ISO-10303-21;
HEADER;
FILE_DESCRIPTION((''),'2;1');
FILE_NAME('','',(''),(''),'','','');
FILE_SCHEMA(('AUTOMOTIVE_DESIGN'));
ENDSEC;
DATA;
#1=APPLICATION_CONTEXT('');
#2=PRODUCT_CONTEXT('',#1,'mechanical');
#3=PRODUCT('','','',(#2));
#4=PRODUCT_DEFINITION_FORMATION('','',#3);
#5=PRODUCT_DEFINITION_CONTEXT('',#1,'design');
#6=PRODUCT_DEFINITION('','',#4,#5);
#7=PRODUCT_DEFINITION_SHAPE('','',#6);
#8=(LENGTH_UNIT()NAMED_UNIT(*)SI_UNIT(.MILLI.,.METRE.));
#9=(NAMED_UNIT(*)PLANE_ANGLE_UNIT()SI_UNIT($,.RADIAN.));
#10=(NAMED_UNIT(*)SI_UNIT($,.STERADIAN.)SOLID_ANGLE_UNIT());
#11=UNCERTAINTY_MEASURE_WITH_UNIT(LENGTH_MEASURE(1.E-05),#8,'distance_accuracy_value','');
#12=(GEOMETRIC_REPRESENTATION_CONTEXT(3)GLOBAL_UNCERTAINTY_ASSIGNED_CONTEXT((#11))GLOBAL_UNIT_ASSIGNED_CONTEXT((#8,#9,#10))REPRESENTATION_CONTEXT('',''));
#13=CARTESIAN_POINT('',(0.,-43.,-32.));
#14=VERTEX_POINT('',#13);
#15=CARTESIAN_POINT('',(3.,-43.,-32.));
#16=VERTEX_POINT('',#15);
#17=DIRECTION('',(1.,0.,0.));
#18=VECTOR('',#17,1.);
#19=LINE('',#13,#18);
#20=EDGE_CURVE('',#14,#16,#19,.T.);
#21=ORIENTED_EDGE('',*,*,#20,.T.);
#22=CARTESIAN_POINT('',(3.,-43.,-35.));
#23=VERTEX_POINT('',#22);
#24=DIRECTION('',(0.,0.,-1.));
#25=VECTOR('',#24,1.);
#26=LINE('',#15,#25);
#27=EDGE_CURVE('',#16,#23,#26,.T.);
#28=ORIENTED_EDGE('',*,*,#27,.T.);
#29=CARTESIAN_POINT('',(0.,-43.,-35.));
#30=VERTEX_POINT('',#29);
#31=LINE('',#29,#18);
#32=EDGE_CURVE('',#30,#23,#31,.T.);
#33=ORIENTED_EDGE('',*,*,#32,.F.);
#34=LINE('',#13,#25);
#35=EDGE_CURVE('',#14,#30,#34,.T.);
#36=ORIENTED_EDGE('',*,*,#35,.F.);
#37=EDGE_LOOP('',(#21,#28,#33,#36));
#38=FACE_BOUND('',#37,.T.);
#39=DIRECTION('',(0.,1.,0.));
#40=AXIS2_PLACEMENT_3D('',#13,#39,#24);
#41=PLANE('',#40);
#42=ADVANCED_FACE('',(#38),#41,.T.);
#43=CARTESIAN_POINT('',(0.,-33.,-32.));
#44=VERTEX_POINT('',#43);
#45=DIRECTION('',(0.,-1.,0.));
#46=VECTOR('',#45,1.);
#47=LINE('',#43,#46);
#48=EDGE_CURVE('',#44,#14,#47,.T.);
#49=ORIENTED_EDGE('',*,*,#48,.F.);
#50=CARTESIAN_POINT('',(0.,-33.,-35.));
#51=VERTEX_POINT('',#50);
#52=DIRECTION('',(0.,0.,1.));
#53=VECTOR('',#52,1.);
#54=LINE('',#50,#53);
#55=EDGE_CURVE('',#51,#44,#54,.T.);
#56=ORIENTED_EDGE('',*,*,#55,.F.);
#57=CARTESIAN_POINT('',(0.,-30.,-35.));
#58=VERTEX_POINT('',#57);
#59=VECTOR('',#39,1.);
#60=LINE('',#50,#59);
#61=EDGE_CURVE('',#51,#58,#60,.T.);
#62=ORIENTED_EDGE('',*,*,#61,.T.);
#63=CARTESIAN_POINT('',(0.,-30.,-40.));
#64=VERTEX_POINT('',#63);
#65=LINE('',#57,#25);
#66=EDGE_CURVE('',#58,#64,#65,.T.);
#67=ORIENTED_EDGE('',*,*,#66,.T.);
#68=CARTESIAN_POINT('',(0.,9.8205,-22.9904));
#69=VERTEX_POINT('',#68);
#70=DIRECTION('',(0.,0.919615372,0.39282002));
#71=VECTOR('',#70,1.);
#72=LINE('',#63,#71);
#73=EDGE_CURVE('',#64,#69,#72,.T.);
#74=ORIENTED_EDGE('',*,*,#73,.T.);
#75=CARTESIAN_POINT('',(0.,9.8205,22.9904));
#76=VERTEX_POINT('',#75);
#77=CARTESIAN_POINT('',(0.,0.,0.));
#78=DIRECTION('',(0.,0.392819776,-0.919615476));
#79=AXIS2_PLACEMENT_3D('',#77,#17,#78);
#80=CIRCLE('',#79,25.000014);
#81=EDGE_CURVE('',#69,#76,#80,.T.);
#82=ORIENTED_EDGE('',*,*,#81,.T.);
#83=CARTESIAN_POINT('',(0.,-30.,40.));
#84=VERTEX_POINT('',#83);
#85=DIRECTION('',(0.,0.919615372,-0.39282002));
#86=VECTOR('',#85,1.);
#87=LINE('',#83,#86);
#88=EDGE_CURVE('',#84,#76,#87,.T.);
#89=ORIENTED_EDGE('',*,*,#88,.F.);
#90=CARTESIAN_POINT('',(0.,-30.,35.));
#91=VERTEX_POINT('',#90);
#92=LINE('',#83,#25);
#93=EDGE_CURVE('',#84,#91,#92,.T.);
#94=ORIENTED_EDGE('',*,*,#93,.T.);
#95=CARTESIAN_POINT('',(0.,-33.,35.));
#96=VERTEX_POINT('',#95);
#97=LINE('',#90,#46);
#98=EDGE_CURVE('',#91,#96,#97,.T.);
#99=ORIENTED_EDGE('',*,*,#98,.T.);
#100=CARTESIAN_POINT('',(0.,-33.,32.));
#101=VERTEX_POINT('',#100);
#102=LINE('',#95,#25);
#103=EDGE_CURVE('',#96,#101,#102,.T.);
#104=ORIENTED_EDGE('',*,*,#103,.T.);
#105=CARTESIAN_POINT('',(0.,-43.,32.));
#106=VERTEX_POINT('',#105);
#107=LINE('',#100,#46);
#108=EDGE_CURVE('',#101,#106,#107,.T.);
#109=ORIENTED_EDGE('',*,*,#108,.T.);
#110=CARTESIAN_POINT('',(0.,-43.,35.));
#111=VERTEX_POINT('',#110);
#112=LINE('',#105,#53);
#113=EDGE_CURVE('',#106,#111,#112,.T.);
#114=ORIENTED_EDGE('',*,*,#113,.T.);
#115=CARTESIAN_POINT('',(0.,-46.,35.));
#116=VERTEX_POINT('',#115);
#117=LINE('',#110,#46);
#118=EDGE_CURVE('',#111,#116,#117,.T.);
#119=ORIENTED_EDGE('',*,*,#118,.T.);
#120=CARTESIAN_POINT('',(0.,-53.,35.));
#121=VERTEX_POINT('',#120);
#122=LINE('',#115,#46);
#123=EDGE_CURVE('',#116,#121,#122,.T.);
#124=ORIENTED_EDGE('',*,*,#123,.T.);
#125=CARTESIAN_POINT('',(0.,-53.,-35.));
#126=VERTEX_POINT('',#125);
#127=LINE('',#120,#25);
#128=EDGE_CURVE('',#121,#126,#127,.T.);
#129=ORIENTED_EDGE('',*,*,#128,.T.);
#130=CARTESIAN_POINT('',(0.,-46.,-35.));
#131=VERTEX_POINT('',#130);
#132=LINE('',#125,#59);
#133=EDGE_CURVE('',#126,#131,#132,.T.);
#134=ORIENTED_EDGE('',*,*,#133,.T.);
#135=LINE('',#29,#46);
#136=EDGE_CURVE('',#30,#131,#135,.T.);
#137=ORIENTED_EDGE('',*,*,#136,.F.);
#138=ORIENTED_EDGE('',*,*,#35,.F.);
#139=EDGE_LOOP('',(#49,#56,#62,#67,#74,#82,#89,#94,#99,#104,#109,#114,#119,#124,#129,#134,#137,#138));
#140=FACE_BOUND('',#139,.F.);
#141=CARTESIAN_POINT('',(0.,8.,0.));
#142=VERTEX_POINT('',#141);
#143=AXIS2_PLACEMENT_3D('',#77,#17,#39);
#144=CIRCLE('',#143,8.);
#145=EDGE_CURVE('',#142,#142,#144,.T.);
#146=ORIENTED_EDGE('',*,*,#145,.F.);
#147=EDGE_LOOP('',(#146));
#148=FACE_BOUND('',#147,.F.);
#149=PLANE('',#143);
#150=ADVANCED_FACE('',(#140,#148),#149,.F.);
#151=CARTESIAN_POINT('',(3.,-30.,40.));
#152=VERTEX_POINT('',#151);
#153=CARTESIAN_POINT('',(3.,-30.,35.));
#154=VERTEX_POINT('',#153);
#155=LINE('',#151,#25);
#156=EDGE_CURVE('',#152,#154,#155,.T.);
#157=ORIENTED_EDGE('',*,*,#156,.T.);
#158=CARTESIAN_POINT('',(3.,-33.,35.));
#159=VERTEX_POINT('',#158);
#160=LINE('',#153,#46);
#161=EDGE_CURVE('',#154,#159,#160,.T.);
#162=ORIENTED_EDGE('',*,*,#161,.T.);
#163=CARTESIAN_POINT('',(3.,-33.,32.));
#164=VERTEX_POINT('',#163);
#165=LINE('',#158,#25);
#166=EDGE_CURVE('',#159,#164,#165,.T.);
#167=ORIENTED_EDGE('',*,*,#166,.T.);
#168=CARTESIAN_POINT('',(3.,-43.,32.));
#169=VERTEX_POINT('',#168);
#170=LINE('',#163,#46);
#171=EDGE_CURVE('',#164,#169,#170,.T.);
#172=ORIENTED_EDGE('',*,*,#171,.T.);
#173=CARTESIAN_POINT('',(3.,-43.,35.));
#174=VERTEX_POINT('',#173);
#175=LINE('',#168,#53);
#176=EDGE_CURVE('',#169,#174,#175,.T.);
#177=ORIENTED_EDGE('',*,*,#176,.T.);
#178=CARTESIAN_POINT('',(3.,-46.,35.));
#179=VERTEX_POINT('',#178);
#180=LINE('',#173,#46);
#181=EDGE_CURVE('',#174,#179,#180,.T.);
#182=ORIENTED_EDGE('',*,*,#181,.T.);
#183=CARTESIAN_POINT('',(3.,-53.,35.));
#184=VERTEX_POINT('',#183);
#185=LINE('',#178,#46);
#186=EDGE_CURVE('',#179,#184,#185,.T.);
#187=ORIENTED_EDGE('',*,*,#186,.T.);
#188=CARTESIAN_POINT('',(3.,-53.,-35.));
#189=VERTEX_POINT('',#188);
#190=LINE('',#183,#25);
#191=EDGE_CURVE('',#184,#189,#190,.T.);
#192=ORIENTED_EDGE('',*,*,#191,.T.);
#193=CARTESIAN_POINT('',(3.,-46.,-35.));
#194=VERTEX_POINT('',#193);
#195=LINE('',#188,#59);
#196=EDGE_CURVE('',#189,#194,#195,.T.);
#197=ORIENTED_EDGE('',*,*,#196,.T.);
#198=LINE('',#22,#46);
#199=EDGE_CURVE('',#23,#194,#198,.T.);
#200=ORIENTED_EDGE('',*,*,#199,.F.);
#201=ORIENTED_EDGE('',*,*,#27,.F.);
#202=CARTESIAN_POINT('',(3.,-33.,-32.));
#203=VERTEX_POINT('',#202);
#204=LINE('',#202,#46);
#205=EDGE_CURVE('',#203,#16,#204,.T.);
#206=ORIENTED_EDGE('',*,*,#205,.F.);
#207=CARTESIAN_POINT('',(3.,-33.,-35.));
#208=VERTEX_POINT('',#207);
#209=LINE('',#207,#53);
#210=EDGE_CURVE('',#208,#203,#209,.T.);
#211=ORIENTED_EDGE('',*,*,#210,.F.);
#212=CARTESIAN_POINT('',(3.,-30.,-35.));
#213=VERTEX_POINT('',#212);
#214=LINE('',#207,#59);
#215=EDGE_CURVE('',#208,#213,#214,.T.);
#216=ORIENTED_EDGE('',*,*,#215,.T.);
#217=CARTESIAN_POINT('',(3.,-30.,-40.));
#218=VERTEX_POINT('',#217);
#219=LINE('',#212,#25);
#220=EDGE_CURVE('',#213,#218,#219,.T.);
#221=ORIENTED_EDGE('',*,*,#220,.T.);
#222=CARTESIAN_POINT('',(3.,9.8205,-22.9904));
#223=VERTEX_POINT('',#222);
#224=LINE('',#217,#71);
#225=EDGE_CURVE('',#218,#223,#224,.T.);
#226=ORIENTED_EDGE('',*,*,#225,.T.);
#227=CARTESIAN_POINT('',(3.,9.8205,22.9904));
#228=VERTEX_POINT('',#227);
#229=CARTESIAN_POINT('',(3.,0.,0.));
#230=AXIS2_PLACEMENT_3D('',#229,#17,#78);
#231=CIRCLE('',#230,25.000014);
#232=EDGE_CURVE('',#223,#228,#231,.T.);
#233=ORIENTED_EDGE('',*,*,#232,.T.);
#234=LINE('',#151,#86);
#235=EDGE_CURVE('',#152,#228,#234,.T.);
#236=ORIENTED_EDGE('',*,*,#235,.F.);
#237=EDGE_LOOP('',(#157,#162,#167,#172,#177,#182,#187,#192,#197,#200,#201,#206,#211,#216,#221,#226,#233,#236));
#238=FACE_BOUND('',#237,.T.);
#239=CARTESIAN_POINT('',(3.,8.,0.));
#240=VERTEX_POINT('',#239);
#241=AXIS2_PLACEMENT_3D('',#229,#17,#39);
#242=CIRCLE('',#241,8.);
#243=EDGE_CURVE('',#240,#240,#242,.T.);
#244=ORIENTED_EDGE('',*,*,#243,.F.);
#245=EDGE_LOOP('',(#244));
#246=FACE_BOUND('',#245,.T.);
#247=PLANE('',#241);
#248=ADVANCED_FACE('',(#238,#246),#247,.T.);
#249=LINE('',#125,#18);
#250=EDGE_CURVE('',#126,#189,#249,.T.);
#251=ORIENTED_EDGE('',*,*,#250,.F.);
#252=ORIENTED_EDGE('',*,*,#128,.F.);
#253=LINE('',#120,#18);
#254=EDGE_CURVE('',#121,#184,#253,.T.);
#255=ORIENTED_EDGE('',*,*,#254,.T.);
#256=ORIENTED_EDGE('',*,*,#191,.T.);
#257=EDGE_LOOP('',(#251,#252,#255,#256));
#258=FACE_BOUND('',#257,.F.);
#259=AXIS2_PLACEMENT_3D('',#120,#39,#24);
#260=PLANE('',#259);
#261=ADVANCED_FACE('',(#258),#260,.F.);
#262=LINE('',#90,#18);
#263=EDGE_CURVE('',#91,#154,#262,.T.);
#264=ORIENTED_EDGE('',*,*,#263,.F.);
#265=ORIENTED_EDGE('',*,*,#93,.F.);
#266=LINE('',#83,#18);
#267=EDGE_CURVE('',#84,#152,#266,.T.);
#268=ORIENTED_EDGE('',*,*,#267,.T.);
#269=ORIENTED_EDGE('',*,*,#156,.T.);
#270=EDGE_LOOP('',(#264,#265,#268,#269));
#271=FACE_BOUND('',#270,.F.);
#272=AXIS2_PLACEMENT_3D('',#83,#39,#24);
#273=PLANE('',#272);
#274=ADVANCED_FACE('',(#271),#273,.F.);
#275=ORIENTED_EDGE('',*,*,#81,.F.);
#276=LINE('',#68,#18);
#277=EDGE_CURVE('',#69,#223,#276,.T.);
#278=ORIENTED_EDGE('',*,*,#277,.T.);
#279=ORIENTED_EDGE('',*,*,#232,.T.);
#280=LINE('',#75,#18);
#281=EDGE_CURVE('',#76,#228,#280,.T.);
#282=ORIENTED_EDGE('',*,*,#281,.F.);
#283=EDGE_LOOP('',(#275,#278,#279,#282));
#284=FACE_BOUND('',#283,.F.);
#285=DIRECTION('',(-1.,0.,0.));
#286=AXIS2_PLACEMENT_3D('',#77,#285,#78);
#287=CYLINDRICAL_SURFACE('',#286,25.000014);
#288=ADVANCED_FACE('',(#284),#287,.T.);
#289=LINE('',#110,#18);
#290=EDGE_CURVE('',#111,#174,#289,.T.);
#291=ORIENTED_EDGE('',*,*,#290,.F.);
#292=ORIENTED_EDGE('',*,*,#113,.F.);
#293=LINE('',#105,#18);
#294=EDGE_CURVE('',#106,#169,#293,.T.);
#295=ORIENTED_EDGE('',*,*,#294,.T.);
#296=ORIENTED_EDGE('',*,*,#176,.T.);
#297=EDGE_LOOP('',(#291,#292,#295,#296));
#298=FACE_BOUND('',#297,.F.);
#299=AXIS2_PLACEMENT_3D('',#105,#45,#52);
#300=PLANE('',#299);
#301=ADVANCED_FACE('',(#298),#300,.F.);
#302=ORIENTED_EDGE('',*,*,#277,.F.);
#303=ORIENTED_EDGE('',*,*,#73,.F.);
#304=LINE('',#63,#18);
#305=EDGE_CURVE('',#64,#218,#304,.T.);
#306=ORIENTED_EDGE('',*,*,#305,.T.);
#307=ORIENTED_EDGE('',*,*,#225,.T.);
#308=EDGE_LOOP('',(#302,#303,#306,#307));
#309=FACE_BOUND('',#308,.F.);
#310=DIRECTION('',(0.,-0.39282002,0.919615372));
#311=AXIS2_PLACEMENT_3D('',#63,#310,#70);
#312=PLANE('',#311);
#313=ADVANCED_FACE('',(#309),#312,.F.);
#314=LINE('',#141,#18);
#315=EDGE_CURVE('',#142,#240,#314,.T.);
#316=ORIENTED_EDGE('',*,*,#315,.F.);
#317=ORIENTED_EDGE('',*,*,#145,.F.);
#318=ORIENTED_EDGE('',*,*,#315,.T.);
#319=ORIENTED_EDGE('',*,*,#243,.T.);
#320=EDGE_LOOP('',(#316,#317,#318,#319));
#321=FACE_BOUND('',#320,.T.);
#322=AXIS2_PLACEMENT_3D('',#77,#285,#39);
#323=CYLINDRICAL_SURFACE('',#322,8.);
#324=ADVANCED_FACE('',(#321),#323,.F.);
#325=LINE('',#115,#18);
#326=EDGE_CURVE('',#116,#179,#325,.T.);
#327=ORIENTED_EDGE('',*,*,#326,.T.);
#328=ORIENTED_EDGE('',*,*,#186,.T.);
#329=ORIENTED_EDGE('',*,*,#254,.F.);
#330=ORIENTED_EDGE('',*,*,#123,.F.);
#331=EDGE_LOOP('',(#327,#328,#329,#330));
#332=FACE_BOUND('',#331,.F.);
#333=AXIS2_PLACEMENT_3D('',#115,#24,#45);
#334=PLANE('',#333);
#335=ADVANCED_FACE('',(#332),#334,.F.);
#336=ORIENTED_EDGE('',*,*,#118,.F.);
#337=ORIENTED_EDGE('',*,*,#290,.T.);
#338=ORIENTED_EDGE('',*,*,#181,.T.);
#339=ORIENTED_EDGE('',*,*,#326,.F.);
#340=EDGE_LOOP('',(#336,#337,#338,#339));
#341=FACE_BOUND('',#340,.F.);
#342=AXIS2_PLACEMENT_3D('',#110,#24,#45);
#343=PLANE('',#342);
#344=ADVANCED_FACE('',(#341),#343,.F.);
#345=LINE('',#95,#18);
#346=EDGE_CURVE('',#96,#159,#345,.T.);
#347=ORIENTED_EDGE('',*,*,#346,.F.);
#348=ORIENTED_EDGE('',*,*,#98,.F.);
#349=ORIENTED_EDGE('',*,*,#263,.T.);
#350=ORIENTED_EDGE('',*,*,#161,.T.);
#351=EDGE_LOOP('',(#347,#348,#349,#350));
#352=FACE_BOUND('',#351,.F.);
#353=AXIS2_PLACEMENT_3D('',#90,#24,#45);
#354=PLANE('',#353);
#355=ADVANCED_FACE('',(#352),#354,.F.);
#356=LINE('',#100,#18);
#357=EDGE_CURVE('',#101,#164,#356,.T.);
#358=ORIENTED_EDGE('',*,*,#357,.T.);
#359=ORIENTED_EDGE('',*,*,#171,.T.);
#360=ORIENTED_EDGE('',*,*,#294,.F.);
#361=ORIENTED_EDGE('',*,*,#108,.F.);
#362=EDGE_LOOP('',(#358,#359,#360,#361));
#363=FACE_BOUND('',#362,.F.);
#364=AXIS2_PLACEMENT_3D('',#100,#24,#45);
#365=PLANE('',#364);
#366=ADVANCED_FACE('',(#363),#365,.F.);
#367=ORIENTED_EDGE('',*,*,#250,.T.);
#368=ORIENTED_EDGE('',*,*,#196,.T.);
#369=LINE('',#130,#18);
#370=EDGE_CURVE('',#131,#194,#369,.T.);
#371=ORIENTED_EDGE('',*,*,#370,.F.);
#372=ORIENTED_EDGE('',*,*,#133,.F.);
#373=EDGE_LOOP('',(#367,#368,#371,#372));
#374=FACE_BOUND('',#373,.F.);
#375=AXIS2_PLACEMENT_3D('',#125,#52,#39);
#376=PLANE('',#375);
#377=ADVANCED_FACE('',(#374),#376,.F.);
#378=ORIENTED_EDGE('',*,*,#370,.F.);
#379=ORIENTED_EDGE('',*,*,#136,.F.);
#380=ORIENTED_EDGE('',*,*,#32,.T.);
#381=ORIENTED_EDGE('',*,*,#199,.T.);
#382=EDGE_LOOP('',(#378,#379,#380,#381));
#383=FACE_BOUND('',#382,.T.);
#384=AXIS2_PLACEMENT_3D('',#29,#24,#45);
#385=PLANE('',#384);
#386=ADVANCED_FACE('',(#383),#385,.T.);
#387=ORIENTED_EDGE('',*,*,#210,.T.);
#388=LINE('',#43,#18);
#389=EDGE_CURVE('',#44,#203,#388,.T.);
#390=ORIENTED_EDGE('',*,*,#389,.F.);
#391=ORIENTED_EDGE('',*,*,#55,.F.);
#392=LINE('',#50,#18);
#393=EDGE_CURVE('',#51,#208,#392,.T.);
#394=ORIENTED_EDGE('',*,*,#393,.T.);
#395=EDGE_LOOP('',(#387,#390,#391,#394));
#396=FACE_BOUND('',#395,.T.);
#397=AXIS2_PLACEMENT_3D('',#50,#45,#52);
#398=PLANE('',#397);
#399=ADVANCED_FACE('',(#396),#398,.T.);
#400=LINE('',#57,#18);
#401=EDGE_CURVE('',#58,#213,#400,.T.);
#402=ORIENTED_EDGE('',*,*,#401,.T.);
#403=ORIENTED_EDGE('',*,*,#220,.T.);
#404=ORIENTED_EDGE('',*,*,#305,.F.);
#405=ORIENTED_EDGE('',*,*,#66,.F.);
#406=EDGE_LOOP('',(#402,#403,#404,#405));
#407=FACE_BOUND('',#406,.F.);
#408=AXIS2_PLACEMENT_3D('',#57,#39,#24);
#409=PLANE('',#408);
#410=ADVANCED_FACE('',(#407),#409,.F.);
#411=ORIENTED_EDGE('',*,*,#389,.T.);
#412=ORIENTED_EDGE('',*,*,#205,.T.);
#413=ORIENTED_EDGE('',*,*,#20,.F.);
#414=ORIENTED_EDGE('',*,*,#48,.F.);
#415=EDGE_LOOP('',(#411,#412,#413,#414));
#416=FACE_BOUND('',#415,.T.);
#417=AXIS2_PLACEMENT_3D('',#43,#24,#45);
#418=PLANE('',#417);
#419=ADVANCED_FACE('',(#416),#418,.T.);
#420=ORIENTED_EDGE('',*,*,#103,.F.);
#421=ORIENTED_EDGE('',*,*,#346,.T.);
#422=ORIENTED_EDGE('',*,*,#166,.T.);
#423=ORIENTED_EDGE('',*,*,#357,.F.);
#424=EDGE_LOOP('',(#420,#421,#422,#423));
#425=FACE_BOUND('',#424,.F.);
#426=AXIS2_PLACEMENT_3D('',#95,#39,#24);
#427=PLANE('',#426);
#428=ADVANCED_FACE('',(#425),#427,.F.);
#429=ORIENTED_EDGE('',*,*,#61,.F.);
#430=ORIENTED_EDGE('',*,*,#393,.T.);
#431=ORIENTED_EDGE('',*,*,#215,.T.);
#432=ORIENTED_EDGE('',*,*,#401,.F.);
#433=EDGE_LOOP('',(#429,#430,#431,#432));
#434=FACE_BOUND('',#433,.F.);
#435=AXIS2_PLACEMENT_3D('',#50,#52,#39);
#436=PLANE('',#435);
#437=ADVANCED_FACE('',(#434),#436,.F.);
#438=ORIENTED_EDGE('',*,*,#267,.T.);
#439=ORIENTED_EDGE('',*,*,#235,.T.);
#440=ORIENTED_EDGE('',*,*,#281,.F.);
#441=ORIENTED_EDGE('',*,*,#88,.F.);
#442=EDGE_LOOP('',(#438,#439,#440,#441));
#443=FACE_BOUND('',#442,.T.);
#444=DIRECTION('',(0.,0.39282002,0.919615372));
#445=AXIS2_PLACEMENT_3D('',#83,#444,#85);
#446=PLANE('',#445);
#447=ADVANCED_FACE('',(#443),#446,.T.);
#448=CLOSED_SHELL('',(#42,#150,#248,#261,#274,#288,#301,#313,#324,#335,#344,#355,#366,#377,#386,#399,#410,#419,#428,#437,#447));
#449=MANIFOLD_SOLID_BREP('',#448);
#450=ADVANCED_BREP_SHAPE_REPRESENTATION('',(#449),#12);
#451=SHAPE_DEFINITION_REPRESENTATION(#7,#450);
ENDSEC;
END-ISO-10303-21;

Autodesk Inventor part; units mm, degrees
ref_plane "YZ Plane" through (0, 0, 0) normal (1, 0, 0) x (0, 1, 0)
ref_plane "XZ Plane" through (0, 0, 0) normal (0, 1, 0) x (-1, 0, 0)
ref_plane "XY Plane" through (0, 0, 0) normal (0, 0, 1) x (1, 0, 0)
sketch "Sketch1" plane through (0, 0, 0) normal (1, 0, 0) x (0, 1, 0)
  circle A0 centre (0, 0) radius 8
  arc A1 (-25, 0) -> (9.8205, -22.9904) centre (0, 0) ccw construction
  line L0 (-30, 0) -> (-30, -35) construction
  line L1 (-30, -40) -> (9.8205, -22.9904)
  line L2 (-30, 40) -> (9.8205, 22.9904)
  line L3 (-30, 0) -> (-33, 0) construction
  line L4 (-33, 0) -> (-33, -32) construction
  line L5 (-33, -35) -> (-30, -35)
  line L6 (-33, 0) -> (-33, 32) construction
  line L7 (-43, 35) -> (-46, 35)
  line L8 (-46, 35) -> (-46, -35) construction
  line L9 (-30, -35) -> (-30, -40)
  arc A2 (9.8205, 22.9904) -> (-25, 0) centre (0, 0) ccw construction
  arc A3 (9.8205, -22.9904) -> (9.8205, 22.9904) centre (0, 0) ccw
  line L10 (-30, 40) -> (-30, 35)
  line L11 (-30, 35) -> (-33, 35)
  line L12 (-43, 32) -> (-43, 35)
  line L13 (-33, -35) -> (-33, -32)
  line L14 (-33, -32) -> (-43, -32)
  line L15 (-43, -32) -> (-43, -35)
  line L16 (-43, -35) -> (-46, -35)
  line L17 (-33, 35) -> (-33, 32)
  line L18 (-33, 32) -> (-43, 32)
  line L19 (-46, 35) -> (-53, 35)
  line L20 (-53, 35) -> (-53, -35)
  line L21 (-53, -35) -> (-46, -35)
  dimension "d0" = 16
  dimension "d1" = 50
  dimension "d2" = 30
  dimension "d4" = 40
  dimension "d5" = 40
  dimension "d8" = 3
  dimension "d15" = 70
  dimension "d16" = 35
  dimension "d24" = 5
  dimension "d25" = 39.8205
  dimension "d27" = 3
  dimension "d28" = 3
  dimension "d29" = 3
  dimension "d30" = 10
  dimension "d31" = 3
  dimension "d32" = 3
  dimension "d33" = 3
  dimension "d34" = 10
  dimension "d35" = 7
  dimension "d36" = 70
  dimension "d37" = 7
extrude "Extrusion1" add sketch "Sketch1" along normal blind 3
properties part number "baseSoporte" material "PMMA Plastic"
